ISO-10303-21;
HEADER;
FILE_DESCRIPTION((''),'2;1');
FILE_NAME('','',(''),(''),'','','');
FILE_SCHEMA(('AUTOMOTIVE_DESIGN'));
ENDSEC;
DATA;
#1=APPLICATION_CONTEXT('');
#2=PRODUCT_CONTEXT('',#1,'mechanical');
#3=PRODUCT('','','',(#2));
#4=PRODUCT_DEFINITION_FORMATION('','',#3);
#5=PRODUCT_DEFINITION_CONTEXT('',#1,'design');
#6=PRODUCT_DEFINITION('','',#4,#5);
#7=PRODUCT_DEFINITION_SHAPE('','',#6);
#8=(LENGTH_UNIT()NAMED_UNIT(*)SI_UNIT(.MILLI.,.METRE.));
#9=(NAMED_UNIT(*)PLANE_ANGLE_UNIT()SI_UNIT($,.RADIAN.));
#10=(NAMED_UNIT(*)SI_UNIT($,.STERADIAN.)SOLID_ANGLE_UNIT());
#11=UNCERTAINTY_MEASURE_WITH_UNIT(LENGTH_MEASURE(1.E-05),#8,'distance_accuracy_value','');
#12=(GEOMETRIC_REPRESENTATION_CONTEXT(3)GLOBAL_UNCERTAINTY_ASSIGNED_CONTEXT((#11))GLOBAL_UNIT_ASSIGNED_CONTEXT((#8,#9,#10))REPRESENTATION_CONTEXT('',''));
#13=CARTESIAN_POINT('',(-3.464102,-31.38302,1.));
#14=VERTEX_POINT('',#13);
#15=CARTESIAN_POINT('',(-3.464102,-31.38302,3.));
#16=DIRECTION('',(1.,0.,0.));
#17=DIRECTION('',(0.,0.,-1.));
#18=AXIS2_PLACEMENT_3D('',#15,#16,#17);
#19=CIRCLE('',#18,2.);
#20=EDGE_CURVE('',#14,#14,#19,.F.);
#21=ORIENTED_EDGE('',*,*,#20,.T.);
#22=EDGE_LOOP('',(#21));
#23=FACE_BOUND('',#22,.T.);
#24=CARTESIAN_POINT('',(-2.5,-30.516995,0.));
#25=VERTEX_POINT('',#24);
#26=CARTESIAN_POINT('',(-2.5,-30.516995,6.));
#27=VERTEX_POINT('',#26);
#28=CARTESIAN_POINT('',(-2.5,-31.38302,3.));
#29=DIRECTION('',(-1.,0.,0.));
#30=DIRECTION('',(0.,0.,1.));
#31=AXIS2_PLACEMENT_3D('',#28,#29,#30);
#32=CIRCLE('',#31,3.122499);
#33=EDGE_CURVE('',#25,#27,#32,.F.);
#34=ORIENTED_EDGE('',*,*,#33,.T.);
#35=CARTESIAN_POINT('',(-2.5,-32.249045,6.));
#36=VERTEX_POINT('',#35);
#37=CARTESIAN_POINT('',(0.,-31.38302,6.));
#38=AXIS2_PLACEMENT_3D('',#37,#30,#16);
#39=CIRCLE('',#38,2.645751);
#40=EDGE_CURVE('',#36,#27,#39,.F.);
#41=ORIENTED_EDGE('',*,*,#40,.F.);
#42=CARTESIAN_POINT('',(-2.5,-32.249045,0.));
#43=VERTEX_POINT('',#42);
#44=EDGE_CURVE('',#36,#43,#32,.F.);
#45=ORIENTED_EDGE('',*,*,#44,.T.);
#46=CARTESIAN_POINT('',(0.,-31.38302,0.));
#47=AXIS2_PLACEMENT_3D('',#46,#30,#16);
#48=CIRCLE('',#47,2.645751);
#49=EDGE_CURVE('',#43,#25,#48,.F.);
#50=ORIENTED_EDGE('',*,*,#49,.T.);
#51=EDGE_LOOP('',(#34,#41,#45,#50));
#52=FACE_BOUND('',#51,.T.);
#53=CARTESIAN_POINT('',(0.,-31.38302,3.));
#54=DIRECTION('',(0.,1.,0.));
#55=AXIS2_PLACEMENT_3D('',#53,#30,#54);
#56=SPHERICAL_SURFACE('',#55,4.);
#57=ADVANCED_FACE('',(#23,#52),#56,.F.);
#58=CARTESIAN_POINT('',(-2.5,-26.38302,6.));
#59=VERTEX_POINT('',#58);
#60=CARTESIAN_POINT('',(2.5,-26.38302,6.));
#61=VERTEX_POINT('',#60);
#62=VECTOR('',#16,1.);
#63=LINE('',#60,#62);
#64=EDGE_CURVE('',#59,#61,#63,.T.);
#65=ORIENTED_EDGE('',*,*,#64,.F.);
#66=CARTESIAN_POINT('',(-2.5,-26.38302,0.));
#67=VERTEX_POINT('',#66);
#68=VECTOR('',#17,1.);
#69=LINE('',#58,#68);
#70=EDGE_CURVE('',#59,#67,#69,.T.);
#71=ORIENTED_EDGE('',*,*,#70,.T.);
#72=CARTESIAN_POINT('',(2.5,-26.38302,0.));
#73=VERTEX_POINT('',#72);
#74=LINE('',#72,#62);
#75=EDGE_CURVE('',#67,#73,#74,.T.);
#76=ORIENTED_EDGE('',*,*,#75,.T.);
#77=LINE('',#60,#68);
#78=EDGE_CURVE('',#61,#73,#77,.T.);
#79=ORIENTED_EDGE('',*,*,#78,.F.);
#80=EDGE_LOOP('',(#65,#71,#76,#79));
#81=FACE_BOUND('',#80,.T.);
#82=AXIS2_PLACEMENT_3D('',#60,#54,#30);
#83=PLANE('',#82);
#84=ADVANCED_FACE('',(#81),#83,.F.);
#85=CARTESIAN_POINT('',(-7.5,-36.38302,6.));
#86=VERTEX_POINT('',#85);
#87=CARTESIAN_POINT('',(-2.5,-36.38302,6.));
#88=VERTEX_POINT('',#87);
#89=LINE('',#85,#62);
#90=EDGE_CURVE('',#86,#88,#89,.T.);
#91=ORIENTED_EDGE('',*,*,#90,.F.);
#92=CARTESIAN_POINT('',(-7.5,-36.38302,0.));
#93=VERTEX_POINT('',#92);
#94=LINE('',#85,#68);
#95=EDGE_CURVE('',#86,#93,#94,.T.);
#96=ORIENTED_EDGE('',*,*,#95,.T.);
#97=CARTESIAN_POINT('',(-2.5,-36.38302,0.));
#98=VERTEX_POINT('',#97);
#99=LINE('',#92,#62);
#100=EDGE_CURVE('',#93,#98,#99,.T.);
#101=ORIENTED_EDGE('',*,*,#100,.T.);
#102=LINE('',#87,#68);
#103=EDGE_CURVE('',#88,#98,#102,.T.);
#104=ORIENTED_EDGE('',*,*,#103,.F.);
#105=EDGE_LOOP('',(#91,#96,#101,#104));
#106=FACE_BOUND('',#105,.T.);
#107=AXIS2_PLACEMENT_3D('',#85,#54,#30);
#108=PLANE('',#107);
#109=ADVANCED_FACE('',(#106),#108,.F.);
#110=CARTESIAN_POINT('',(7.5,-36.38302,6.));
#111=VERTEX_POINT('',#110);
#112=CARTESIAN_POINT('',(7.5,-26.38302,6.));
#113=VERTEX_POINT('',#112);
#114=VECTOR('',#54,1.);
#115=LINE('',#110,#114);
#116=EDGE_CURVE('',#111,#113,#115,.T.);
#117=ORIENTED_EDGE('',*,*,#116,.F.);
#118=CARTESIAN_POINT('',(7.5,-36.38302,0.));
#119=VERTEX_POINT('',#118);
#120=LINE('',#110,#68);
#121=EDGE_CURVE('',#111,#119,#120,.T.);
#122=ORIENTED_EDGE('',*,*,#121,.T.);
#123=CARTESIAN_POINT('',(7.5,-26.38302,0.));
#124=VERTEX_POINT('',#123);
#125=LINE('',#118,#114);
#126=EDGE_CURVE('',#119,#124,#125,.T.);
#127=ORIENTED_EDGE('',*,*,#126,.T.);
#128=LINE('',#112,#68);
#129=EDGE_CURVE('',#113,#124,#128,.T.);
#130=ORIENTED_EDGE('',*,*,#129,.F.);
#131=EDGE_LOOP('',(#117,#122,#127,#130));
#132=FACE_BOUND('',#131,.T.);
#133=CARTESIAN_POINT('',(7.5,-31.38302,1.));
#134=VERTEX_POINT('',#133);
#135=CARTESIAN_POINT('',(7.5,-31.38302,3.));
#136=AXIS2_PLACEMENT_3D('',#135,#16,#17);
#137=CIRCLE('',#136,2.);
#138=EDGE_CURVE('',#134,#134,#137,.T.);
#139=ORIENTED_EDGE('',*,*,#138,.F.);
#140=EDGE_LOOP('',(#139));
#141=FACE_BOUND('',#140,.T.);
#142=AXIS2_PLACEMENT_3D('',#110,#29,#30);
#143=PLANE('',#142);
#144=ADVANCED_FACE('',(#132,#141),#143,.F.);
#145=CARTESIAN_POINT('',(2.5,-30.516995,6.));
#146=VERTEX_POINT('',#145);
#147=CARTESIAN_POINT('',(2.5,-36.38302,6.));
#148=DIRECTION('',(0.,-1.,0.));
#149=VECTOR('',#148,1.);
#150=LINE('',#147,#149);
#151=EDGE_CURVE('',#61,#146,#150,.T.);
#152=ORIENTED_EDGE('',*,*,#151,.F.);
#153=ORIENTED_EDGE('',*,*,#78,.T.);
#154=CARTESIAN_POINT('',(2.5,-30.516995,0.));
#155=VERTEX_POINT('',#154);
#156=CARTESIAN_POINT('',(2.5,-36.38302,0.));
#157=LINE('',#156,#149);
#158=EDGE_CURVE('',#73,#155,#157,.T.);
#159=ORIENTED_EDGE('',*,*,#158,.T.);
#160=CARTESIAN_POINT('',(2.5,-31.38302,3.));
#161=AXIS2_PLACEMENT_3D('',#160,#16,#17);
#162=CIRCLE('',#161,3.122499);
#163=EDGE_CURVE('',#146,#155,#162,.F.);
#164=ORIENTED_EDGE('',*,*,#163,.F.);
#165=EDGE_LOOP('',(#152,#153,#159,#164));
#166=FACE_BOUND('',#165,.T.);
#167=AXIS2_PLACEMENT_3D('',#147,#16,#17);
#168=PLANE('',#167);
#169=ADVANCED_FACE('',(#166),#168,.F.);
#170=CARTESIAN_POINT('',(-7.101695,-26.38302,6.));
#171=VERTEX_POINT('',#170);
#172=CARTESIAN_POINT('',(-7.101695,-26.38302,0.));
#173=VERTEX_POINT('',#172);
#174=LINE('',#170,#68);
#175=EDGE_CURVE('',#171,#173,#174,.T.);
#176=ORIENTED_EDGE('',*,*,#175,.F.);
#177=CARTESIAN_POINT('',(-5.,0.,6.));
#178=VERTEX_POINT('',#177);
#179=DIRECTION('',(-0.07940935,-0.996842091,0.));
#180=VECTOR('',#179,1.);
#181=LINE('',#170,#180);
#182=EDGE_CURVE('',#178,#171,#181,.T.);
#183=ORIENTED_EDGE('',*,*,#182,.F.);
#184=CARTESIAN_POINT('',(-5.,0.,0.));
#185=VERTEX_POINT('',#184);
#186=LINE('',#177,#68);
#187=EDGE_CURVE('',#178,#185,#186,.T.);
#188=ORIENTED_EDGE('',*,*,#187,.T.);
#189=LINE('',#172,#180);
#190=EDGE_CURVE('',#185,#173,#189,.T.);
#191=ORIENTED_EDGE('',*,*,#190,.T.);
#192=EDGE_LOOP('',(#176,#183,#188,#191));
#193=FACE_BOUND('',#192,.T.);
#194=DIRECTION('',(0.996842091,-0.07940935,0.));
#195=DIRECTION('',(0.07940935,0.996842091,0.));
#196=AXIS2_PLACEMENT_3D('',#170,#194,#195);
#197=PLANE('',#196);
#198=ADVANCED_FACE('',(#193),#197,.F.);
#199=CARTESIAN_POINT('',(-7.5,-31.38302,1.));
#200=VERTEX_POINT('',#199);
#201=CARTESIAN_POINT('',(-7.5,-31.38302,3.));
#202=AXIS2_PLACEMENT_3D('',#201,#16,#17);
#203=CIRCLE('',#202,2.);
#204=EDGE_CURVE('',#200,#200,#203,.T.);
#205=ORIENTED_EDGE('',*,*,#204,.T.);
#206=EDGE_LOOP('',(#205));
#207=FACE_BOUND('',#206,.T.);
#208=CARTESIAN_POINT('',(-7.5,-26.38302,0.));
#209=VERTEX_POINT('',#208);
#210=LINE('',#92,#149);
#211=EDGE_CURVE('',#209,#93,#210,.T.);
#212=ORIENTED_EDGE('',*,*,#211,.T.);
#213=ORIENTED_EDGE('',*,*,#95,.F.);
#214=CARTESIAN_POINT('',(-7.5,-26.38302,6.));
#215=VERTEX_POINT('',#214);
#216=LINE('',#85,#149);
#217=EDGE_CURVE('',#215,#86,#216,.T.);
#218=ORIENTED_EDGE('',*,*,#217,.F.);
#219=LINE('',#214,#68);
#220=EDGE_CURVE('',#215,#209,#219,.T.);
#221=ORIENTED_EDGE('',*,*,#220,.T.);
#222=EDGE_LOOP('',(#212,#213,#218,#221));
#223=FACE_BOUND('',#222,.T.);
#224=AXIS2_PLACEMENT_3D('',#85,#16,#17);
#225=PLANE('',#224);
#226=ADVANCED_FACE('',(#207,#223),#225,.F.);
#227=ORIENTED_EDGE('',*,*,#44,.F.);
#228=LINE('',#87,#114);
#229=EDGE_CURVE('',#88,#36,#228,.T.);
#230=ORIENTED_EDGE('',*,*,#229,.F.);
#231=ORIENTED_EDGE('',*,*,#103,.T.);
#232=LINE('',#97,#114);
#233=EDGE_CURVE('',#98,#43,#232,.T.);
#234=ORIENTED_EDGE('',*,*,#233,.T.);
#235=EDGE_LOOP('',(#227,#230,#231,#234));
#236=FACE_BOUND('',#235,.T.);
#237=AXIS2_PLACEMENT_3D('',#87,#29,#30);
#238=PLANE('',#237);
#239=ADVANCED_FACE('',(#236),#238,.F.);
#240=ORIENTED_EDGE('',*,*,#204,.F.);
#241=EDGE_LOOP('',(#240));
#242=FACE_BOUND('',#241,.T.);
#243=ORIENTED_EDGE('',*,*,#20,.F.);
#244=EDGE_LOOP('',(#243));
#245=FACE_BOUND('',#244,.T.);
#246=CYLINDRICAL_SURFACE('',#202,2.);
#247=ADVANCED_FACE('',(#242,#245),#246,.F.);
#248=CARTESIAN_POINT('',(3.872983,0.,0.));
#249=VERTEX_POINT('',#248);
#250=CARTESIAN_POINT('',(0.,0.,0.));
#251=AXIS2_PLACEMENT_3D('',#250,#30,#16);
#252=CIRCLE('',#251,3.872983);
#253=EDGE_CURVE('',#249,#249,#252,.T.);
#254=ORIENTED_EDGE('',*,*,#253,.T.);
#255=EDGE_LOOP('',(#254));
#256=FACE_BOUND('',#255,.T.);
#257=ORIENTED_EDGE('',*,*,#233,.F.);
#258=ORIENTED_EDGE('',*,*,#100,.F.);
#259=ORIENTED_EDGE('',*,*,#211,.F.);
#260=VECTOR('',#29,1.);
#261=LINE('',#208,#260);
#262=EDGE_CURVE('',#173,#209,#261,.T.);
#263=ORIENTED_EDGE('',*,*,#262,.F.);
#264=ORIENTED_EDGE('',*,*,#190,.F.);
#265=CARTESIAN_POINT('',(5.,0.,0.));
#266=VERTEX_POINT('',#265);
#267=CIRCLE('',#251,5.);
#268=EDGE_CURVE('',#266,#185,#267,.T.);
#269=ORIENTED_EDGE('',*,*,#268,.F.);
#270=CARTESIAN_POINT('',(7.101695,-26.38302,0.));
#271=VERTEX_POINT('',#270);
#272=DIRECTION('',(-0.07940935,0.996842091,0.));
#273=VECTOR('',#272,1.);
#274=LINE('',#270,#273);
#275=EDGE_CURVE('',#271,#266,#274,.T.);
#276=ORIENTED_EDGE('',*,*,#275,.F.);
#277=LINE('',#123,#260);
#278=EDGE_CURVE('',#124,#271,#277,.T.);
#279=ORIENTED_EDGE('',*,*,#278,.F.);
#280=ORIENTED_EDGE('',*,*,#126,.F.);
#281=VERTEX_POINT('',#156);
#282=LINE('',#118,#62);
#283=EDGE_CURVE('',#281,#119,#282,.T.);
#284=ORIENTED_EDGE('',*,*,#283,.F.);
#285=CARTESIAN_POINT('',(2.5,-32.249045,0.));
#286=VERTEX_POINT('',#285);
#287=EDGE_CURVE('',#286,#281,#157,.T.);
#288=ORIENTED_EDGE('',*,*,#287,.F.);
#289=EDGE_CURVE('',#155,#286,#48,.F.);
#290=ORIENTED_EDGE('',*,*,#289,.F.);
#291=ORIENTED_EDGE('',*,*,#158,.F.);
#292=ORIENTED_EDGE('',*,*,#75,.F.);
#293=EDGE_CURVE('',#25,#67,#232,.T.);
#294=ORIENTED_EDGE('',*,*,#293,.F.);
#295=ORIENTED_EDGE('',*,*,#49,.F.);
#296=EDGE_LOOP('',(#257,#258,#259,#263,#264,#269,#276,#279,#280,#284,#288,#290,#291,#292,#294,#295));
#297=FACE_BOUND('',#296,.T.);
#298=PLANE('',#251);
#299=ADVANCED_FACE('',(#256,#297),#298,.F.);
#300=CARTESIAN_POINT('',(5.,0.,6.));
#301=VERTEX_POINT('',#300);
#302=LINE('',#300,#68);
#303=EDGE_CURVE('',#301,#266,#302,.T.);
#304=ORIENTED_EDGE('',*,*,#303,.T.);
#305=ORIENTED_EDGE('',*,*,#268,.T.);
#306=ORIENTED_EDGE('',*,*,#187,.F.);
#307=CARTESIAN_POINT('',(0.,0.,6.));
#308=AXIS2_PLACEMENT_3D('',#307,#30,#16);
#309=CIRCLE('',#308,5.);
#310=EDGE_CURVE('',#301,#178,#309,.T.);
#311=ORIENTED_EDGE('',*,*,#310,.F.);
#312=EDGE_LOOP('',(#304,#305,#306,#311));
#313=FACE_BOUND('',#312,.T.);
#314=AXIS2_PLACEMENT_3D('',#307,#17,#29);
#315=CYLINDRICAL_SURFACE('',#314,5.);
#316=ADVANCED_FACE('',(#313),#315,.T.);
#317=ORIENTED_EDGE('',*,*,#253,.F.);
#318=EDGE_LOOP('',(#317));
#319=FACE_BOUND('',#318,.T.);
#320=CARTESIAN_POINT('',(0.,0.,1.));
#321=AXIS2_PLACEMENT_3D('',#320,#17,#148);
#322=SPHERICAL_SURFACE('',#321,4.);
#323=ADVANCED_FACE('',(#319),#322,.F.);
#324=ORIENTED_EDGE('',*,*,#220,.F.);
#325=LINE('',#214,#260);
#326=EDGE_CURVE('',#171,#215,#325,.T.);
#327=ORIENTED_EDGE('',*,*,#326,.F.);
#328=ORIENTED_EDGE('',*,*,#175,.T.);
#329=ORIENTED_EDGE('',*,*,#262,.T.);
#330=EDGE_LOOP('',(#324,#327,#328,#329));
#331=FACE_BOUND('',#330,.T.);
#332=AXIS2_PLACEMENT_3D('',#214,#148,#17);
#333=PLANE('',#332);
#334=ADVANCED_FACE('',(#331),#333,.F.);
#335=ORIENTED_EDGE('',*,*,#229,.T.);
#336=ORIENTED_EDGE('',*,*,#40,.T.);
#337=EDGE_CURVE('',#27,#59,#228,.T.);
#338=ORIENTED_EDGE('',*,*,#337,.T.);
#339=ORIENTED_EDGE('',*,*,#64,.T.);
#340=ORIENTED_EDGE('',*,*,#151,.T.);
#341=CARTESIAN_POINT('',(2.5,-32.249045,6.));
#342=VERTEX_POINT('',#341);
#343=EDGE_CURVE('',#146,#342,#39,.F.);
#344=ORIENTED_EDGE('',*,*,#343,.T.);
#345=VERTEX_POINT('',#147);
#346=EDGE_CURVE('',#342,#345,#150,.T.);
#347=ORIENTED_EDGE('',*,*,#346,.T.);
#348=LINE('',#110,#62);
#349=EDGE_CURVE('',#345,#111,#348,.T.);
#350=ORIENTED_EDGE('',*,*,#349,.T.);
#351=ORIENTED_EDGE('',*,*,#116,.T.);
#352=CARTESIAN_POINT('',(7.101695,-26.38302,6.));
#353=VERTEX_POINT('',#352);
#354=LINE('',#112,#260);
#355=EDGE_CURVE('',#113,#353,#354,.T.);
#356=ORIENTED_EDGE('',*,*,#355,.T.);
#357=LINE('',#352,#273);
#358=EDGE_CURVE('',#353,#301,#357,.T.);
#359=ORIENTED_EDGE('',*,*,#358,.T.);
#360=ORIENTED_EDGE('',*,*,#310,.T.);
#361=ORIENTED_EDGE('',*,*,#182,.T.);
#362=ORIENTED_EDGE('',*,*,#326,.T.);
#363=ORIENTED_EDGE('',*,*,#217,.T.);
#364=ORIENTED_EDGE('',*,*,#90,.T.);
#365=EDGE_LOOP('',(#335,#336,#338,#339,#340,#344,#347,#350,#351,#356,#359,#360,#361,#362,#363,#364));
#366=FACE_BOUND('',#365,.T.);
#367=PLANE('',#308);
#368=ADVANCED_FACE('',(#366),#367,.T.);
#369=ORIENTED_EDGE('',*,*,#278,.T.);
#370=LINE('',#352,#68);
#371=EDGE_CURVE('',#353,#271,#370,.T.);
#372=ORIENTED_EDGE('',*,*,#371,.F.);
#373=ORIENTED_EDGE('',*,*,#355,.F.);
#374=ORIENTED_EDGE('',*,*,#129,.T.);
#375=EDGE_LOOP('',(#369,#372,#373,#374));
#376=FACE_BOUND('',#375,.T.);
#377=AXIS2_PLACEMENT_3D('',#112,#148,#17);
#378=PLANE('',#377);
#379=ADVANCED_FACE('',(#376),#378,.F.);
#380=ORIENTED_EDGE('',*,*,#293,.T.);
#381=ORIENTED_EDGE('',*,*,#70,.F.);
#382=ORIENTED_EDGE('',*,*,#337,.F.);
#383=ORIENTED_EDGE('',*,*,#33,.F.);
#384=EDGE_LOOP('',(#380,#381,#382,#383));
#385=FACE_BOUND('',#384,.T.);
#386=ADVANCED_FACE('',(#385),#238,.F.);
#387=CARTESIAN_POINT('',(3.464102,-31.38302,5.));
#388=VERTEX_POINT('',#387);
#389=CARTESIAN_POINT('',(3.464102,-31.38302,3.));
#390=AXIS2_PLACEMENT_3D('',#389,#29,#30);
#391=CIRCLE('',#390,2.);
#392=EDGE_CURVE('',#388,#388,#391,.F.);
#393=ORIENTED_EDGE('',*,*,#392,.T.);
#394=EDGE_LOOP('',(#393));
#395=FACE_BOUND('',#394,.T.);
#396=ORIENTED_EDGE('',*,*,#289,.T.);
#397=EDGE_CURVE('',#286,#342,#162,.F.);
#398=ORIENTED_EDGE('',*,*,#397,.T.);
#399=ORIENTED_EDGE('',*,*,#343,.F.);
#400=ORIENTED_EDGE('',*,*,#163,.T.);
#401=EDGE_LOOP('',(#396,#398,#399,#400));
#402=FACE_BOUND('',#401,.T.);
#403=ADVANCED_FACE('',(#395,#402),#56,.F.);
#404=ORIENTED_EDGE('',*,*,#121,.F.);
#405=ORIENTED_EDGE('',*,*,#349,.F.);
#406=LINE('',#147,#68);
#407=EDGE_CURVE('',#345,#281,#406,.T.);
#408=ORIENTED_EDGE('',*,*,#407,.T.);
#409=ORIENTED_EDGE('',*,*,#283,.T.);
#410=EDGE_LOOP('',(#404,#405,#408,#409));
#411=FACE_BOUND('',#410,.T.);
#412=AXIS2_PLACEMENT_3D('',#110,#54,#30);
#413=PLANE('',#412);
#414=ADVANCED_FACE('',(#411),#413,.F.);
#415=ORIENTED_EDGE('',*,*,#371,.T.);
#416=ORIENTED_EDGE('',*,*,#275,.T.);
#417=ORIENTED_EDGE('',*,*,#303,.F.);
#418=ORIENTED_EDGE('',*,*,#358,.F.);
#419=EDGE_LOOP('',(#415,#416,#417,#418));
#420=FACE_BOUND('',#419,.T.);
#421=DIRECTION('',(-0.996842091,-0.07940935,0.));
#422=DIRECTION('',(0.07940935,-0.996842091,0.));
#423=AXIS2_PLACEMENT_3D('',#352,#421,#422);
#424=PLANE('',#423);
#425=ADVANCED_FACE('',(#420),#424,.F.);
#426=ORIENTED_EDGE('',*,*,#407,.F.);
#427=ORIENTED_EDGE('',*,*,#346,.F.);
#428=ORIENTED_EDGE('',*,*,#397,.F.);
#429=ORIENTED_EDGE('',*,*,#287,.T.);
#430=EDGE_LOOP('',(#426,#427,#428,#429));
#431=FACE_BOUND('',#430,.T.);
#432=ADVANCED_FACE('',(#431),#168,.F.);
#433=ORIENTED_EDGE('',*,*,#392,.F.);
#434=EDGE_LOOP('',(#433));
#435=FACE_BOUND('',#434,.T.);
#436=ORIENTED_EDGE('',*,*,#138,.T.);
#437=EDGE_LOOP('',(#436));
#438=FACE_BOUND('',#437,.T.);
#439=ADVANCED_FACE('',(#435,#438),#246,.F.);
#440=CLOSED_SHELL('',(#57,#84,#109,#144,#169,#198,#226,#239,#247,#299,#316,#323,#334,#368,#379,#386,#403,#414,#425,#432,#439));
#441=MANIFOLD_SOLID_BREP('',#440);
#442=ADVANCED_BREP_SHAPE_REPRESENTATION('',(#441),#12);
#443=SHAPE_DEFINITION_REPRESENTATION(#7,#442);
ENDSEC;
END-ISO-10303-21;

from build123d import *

# Parameters (mm, degrees)
SALIENTE_EXTRUIR1_DEPTH = 6
CROQUIS4_R              = 2
CORTAR_EXTRUIR1_DEPTH   = 15


with BuildPart() as part:
    # Croquis1 → Saliente-Extruir1 (new body)
    with BuildSketch(Plane.XY):
        with BuildLine():
            Line((7.5, -36.38301994), (2.5, -36.38301994))
            Line((2.5, -36.38301994), (2.5, -26.38301994))
            Line((2.5, -26.38301994), (-2.5, -26.38301994))
            Line((-2.5, -26.38301994), (-2.5, -36.38301994))
            Line((-2.5, -36.38301994), (-7.5, -36.38301994))
            Line((-7.5, -36.38301994), (-7.5, -26.38301994))
            Line((-7.5, -26.38301994), (-7.101695438, -26.38301994))
            Line((-7.101695438, -26.38301994), (-5, 0))
            ThreePointArc((-5, 0), (0, 5), (5, 0))
            Line((5, 0), (7.101695438, -26.38301994))
            Line((7.101695438, -26.38301994), (7.5, -26.38301994))
            Line((7.5, -26.38301994), (7.5, -36.38301994))
        make_face()
    extrude(amount=SALIENTE_EXTRUIR1_DEPTH)

    # Croquis2 → Cortar-Revolución1 (revolve, cut)
    with BuildSketch(Plane(origin=(0, 0, 0), x_dir=(0, 0, -1), z_dir=(1, 0, 0))):
        with BuildLine():
            Line((3, 0), (-5, 0))
            ThreePointArc((-5, 0), (-1, 4), (3, 0))
        make_face()
    revolve(axis=Axis((0, 0, -3), (0, 0, 1)), mode=Mode.SUBTRACT)

    # Croquis4 → Cortar-Extruir1 (cut)
    with BuildSketch(Plane(origin=(7.5, 0, 0), x_dir=(0, 0, -1), z_dir=(1, 0, 0))):
        with Locations((-3, -31.38301994)):
            Circle(CROQUIS4_R)
    extrude(amount=-CORTAR_EXTRUIR1_DEPTH, mode=Mode.SUBTRACT)

    # Croquis5 → Cortar-Revolución2 (revolve, cut)
    with BuildSketch(Plane(origin=(0, 0, 0), x_dir=(0, 0, -1), z_dir=(1, 0, 0))):
        with BuildLine():
            Line((-7, -31.38301994), (1, -31.38301994))
            ThreePointArc((1, -31.38301994), (-3, -27.38301994), (-7, -31.38301994))
        make_face()
    revolve(axis=Axis((0, -31.38301994, 7), (0, 0, -1)), mode=Mode.SUBTRACT)


solid = part.part
